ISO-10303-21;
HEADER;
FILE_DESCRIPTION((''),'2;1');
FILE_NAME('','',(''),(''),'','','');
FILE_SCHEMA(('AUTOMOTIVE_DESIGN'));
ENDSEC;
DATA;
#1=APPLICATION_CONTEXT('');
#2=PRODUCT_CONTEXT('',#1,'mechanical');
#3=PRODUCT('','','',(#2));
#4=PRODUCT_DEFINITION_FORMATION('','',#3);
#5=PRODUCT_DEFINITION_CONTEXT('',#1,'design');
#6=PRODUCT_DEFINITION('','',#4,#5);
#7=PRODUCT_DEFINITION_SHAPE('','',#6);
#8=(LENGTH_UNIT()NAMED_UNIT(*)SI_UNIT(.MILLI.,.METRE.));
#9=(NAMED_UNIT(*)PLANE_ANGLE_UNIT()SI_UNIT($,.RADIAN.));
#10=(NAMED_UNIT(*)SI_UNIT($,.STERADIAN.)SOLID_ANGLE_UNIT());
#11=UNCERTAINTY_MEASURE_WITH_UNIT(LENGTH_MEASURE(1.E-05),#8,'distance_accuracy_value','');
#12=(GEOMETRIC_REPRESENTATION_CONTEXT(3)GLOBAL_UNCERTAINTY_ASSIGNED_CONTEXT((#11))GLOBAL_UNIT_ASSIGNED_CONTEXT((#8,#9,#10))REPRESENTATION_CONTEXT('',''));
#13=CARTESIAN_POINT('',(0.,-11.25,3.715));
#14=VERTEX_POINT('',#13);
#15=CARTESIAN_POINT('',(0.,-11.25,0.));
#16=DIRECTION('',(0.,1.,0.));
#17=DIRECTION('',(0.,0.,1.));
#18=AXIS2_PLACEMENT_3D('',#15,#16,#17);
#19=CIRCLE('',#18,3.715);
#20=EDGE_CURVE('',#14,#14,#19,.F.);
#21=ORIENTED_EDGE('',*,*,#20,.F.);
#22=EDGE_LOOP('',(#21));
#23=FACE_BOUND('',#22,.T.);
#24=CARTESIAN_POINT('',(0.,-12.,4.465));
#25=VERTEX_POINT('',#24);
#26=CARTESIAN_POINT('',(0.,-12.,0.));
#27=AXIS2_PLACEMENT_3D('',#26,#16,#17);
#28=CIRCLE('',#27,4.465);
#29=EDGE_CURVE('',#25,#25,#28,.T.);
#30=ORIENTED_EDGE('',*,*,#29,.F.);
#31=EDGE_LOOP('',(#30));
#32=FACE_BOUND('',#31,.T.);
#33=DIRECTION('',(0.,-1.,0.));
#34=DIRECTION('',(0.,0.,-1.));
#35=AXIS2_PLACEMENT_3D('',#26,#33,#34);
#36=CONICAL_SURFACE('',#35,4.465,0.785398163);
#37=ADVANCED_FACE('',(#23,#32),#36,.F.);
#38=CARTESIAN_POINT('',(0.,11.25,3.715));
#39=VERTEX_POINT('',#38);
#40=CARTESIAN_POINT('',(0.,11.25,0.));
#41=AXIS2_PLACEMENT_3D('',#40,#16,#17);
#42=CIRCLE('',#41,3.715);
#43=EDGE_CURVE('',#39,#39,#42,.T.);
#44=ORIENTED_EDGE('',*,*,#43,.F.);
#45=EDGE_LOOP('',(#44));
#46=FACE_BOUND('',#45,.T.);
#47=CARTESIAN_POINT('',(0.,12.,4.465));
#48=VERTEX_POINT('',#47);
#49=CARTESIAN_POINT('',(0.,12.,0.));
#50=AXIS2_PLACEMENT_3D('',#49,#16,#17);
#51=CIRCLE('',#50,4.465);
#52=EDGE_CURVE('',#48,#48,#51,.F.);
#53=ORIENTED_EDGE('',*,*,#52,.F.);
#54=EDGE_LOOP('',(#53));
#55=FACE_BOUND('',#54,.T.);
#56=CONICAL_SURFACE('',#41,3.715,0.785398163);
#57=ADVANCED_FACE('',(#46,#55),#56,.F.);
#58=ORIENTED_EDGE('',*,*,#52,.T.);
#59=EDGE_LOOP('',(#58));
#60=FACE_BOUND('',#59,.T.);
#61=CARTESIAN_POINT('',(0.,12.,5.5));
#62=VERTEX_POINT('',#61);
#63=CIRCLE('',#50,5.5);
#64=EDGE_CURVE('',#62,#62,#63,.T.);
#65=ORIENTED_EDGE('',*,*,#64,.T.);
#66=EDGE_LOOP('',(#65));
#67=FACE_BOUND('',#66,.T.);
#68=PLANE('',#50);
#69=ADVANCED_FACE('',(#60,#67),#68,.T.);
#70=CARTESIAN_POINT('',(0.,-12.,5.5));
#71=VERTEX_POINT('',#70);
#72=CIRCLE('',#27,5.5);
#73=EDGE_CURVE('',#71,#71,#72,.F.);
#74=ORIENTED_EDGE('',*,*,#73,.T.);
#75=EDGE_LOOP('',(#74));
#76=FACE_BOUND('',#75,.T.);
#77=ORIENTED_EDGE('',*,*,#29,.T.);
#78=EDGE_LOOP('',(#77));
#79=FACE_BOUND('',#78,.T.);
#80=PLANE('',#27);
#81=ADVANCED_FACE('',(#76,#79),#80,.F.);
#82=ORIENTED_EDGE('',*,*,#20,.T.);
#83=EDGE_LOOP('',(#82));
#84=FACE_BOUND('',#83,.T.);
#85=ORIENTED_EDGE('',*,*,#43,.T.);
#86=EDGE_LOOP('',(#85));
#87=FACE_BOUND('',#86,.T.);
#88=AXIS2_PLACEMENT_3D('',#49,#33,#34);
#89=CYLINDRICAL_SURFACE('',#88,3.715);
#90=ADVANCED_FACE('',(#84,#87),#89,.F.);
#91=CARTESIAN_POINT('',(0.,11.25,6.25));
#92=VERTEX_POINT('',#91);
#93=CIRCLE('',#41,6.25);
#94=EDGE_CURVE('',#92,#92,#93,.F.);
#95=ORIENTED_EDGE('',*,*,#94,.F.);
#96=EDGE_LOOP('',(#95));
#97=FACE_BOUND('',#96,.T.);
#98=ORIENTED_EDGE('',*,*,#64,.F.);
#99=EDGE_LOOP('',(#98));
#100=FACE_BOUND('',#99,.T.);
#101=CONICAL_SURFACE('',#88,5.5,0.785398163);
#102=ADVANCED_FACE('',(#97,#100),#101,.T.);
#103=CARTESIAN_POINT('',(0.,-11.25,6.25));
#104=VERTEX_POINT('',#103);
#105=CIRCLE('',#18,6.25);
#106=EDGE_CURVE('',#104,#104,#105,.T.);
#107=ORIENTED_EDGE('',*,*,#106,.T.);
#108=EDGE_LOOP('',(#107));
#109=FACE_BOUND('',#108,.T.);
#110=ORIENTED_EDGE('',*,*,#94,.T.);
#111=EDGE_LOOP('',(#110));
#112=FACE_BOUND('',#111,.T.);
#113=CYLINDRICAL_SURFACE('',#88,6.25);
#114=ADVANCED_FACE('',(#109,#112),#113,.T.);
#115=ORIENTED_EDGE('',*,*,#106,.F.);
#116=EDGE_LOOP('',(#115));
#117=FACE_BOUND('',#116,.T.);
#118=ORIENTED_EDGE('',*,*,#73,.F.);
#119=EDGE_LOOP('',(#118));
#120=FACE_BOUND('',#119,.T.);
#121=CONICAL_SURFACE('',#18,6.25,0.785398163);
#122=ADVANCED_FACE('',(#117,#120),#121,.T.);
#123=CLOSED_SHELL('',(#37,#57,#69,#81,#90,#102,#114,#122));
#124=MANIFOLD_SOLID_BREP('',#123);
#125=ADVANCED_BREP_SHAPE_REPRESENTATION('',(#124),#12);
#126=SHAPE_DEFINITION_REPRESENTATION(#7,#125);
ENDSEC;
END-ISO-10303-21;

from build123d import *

# Parameters (mm, degrees)
CROQUIS1_R              = 6.25
CROQUIS1_R_2            = 3.715
SALIENTE_EXTRUIR1_DEPTH = 12
CHAFL_N1_SIZE           = 0.75


with BuildPart() as part:
    # Croquis1 → Saliente-Extruir1 (new, symmetric)
    with BuildSketch(Plane(origin=(0, 0, 0), x_dir=(1, 0, 0), z_dir=(0, 1, 0))):
        with Locations(Location((0, 0, 0), (0, 0, 270))):
            Circle(CROQUIS1_R)
        with Locations(Location((0, 0, 0), (0, 0, 270))):
            Circle(CROQUIS1_R_2, mode=Mode.SUBTRACT)
    extrude(amount=SALIENTE_EXTRUIR1_DEPTH, both=True)

    # Chaflán1
    chafl_n1_edges = [part.edges().sort_by_distance(p)[0] for p in [
        (0, -12, -6.25),
        (0, 12, -6.25),
        (0, -12, -3.715),
        (0, 12, -3.715),
    ]]
    chamfer(chafl_n1_edges, length=CHAFL_N1_SIZE)


solid = part.part
